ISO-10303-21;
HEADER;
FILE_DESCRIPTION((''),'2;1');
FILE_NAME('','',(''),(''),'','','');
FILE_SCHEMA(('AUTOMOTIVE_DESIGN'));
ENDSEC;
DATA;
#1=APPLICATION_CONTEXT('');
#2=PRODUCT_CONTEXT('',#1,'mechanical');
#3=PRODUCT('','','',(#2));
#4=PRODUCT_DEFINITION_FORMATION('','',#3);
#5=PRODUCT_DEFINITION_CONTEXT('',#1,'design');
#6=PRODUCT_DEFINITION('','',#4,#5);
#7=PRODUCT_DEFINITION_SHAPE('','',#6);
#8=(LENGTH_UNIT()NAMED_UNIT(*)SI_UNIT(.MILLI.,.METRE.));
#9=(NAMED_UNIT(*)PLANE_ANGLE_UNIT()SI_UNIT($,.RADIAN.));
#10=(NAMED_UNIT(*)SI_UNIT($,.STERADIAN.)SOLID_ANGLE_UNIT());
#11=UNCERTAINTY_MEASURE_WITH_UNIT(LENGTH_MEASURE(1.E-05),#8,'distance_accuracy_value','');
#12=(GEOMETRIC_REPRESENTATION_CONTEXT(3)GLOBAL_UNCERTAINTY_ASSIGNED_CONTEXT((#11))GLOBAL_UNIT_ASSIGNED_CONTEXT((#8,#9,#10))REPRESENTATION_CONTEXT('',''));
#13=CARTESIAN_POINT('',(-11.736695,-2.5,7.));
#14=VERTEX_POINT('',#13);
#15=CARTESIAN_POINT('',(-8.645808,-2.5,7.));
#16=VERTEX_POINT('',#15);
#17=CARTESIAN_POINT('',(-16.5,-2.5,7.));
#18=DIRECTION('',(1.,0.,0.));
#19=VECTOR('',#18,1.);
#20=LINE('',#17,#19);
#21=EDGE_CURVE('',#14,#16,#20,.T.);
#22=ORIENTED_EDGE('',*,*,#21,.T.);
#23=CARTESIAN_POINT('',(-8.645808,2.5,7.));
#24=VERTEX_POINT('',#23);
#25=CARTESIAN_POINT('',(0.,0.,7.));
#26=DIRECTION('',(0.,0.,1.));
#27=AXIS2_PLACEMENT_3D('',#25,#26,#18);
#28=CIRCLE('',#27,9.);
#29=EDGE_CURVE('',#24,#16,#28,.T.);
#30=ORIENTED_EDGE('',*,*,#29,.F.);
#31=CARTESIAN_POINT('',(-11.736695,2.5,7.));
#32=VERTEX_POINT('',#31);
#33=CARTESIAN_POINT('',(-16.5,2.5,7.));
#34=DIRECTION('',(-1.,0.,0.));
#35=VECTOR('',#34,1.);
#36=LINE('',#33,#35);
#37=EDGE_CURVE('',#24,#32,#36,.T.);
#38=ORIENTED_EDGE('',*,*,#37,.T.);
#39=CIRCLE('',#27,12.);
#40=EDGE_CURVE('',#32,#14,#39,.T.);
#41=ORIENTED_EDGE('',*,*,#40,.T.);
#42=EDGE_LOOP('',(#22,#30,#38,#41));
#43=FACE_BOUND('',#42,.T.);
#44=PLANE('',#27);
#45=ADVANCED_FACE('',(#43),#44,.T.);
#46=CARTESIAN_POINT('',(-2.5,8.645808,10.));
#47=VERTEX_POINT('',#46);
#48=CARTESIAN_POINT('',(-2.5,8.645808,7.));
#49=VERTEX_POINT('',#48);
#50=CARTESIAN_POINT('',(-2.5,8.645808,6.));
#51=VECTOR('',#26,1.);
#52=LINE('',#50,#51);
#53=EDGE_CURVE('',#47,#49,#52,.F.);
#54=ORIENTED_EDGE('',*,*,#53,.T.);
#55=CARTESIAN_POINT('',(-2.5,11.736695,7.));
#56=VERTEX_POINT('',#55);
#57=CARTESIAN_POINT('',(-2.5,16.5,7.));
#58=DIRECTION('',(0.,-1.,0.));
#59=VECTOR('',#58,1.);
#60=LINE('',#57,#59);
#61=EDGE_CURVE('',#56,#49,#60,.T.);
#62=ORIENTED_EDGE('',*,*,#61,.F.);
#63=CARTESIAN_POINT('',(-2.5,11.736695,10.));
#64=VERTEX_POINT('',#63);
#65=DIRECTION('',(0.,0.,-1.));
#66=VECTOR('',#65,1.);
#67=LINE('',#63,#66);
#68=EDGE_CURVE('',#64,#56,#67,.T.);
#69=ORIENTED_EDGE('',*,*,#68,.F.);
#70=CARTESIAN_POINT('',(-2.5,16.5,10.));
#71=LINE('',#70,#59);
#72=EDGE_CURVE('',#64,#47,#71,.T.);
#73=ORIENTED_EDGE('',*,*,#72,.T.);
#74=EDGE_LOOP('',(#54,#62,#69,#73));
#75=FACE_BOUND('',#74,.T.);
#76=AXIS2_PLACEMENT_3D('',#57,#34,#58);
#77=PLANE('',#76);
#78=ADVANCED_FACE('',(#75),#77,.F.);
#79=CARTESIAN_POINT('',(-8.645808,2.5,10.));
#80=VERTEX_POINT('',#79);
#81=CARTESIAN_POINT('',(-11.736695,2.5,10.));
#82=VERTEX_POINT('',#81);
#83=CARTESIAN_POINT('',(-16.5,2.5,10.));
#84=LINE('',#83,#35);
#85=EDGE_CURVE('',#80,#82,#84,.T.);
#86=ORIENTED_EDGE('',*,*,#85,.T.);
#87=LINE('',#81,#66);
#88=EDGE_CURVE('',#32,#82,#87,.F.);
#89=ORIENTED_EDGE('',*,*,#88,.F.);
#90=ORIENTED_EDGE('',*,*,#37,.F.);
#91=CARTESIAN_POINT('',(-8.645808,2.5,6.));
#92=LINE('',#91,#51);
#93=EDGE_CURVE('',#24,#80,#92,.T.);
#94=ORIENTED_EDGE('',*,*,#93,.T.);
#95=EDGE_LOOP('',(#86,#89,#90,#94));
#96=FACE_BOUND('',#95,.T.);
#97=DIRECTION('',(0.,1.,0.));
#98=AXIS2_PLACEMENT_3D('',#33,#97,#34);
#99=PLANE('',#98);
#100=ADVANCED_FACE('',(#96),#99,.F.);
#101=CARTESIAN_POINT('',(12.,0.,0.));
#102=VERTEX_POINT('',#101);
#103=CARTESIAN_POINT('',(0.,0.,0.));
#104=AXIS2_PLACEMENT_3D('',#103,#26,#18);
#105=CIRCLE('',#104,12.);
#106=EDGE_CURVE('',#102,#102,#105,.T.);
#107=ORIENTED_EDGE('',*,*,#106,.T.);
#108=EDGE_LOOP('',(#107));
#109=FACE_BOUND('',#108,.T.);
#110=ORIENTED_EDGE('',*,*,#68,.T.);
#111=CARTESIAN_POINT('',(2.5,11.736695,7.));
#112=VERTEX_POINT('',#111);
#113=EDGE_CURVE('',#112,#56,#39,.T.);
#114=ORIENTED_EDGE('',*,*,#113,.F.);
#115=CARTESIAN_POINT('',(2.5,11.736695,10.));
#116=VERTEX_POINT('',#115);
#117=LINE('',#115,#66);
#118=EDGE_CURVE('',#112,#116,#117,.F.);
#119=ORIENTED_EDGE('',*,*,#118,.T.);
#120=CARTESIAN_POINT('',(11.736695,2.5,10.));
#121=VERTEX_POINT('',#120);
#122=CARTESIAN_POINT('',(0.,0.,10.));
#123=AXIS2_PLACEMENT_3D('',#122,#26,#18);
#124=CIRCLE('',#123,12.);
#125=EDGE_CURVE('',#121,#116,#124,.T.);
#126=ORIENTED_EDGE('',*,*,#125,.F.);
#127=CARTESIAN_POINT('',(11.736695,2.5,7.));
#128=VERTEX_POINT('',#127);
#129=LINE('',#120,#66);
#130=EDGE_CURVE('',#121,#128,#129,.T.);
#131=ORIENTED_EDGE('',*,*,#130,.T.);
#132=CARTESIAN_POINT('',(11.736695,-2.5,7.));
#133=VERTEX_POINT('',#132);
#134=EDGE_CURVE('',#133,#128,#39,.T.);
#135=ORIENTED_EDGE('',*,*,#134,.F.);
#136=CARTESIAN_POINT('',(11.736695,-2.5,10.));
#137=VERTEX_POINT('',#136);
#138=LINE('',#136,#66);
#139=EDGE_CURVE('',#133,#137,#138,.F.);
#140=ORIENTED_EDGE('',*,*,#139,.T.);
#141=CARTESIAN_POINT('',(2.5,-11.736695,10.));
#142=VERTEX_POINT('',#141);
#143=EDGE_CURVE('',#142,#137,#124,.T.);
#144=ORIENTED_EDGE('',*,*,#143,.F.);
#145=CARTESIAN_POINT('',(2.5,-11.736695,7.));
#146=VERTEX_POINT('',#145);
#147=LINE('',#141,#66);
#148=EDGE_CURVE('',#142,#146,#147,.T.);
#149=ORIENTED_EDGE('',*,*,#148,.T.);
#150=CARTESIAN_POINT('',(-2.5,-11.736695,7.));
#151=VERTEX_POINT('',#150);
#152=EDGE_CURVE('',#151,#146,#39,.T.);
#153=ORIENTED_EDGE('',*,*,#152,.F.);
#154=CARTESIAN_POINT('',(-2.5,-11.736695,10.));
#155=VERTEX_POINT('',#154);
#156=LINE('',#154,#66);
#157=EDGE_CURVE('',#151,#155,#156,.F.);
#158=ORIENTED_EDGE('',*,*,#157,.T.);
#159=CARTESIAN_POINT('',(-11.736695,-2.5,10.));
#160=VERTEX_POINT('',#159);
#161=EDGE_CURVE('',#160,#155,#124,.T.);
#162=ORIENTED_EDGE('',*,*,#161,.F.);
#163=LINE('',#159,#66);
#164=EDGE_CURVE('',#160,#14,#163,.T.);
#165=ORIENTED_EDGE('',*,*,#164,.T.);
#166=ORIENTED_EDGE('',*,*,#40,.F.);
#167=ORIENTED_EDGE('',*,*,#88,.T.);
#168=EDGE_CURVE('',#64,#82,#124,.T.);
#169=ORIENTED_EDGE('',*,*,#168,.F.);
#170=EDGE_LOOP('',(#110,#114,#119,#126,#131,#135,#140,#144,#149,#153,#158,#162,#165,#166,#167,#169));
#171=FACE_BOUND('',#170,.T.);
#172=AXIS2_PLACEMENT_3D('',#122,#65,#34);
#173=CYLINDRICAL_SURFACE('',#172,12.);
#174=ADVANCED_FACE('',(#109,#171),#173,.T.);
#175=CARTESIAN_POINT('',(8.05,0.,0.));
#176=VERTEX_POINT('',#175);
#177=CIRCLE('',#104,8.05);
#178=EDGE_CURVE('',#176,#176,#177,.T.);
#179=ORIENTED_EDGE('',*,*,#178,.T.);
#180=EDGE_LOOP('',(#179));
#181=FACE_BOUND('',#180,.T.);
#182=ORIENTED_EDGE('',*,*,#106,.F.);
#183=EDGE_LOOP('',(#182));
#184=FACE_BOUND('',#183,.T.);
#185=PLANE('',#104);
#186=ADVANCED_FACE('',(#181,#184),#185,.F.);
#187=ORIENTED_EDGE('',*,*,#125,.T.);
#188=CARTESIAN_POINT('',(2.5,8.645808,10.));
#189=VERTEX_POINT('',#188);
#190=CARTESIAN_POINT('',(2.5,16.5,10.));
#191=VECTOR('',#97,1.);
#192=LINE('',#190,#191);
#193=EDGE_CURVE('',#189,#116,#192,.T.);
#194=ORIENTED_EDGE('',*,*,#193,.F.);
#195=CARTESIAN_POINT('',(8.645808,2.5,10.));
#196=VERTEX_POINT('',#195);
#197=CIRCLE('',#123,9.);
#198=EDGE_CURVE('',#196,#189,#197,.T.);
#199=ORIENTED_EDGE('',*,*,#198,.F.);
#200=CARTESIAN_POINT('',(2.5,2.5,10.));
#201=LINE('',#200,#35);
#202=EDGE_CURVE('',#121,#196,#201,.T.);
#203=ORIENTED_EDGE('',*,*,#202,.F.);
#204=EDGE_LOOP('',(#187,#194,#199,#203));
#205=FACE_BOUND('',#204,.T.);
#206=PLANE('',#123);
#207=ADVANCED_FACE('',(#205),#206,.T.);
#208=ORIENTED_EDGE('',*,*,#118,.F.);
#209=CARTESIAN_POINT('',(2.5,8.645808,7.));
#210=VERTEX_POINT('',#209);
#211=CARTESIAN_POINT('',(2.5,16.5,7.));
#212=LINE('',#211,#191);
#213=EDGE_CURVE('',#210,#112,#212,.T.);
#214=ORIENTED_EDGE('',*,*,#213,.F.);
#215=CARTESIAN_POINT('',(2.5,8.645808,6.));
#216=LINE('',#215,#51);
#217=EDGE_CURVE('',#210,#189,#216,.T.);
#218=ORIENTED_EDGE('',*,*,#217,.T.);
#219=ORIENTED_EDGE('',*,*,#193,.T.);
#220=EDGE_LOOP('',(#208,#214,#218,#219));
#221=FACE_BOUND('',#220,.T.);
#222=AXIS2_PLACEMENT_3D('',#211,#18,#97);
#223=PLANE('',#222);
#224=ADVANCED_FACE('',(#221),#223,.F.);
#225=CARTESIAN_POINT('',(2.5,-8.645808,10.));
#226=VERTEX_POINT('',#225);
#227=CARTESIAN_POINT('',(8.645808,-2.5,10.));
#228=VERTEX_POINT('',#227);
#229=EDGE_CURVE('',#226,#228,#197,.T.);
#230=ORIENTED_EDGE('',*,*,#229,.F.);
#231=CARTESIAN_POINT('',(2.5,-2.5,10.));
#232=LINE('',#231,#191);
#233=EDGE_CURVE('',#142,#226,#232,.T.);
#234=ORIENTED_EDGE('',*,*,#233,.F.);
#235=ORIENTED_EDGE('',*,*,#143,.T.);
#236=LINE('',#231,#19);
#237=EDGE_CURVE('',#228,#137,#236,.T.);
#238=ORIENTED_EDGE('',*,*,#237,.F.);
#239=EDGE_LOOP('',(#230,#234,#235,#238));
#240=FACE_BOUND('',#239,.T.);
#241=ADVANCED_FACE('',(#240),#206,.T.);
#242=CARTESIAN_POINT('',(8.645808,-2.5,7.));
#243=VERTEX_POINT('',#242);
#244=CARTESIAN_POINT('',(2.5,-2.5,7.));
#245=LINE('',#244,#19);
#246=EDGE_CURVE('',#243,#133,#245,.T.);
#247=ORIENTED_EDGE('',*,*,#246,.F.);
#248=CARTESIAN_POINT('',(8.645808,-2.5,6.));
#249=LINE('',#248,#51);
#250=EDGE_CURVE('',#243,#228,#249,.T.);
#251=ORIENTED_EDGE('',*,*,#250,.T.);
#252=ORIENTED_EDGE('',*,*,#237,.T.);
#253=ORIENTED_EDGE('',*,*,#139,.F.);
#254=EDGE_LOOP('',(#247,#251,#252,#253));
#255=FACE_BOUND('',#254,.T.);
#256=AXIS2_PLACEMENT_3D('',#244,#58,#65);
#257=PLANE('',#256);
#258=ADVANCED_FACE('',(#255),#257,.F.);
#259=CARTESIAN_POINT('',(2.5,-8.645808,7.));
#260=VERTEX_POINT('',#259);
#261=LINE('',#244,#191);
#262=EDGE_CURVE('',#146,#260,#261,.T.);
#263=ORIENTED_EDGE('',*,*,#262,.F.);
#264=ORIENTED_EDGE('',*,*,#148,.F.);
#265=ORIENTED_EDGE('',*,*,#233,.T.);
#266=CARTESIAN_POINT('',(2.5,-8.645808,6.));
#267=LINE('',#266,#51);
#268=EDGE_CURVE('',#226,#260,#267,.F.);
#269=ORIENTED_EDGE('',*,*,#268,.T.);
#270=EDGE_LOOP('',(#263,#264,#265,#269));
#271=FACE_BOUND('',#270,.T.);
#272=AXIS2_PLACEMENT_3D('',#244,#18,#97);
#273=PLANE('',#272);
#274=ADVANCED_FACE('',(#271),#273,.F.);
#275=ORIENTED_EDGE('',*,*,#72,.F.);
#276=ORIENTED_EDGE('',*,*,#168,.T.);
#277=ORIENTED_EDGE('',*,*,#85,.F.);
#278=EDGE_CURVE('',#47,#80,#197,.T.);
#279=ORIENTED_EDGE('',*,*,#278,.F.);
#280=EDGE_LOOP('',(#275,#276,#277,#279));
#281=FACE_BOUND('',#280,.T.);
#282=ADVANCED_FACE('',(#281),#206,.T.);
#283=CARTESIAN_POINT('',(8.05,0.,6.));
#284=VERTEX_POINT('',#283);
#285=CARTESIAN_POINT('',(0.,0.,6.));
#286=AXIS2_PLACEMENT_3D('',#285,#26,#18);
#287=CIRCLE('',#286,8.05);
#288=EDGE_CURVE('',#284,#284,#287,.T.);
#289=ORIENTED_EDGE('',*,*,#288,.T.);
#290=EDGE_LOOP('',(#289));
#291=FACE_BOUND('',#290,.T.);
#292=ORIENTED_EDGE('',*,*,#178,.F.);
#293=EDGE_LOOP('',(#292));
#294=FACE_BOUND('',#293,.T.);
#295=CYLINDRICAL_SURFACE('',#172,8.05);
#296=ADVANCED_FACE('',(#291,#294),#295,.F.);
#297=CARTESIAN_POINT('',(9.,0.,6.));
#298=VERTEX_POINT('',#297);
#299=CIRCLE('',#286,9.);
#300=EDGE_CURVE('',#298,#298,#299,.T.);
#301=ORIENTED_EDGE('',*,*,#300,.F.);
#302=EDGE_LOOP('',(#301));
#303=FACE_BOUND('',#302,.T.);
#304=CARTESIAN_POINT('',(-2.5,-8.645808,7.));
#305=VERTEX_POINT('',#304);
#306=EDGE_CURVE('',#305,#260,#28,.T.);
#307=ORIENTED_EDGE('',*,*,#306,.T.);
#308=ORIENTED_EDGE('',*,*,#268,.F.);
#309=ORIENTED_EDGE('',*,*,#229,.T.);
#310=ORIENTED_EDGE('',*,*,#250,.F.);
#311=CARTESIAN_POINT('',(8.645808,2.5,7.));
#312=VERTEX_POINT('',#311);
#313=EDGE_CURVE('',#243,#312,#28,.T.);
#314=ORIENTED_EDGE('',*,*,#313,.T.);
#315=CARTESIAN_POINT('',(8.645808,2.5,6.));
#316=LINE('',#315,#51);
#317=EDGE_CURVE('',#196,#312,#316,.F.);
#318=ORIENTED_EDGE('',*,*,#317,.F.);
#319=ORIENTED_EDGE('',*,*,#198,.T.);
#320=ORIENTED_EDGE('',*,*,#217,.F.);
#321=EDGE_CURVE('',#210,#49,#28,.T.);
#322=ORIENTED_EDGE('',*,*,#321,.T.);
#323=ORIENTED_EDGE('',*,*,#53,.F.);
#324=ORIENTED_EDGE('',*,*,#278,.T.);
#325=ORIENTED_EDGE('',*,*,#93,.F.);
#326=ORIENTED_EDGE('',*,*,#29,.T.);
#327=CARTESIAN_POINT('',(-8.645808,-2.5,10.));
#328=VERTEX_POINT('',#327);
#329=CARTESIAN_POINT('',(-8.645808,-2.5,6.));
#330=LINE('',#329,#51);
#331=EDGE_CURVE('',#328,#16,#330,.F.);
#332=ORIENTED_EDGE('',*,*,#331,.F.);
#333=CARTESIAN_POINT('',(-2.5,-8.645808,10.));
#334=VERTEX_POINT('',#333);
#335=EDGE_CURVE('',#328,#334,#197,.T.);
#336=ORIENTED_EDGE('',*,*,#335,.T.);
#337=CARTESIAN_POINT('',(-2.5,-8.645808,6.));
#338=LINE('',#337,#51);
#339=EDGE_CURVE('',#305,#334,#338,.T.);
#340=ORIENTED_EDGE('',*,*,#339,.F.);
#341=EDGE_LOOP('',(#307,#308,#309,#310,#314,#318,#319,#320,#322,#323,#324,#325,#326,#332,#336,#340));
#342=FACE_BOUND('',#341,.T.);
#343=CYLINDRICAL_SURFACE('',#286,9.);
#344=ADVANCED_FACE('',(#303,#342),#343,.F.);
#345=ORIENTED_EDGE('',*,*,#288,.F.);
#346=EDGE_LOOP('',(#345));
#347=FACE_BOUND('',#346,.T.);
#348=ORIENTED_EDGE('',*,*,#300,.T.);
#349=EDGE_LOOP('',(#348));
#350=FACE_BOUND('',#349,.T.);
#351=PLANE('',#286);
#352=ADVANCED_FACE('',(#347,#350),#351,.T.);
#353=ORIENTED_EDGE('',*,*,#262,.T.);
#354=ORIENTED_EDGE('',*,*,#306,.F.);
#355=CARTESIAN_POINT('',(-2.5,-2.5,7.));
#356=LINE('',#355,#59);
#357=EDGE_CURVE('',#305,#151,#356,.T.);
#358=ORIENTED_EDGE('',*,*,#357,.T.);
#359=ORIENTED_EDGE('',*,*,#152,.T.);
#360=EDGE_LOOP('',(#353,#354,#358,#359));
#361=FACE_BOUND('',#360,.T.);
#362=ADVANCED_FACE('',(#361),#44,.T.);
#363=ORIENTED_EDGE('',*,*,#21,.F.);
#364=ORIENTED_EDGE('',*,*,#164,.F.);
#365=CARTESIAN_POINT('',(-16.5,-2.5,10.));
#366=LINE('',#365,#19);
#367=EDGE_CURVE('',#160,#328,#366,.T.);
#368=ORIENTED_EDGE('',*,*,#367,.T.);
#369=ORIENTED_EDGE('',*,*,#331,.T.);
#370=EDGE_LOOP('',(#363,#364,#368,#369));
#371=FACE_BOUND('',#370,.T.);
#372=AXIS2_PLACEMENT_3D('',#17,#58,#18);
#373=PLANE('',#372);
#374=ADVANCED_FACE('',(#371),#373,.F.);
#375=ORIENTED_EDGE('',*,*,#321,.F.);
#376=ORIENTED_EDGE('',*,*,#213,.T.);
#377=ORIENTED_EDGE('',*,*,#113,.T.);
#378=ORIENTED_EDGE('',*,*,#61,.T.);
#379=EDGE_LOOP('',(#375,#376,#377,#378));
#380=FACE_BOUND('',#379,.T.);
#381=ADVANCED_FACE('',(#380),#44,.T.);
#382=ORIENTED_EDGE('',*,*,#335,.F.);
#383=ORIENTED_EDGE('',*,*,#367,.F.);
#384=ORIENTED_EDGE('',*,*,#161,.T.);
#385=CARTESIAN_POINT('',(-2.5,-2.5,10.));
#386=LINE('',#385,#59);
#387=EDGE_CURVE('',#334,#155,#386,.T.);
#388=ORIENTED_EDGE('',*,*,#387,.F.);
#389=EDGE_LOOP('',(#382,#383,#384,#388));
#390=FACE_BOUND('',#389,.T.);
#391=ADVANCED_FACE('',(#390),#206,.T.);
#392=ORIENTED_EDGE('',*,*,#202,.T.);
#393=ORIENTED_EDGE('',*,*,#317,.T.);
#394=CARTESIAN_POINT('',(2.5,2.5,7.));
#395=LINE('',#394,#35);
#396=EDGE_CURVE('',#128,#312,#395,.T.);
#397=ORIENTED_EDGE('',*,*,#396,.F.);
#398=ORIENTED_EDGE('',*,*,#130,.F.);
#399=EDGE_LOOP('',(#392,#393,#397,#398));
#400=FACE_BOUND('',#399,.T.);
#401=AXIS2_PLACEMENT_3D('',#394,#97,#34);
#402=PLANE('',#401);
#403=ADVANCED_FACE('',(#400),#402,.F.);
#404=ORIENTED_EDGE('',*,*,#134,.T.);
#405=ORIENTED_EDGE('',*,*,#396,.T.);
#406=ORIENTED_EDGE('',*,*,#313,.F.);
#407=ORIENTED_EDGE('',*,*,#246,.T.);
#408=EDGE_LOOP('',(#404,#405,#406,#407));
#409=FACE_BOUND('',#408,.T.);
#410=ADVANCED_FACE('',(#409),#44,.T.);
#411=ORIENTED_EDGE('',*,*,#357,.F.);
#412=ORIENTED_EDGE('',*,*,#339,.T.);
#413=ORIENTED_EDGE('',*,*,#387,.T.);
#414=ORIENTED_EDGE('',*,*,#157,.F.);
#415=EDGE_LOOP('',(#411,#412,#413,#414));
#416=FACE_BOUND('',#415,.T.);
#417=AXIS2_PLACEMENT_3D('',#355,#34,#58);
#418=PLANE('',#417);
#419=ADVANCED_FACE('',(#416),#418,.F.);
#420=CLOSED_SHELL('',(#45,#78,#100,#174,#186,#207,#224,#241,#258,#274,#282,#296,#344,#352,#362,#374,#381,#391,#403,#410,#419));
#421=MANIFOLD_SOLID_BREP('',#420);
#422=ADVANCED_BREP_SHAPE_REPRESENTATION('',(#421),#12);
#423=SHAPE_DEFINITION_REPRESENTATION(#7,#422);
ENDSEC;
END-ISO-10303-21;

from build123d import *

# Parameters (mm, degrees)
SKETCH_1_R          = 12
SKETCH_1_R_2        = 8.05
EXTRUDE_1_DEPTH     = 10
CUT_EXTRUDE_1_DEPTH = 3
SKETCH_4_R          = 9
CUT_EXTRUDE_2_DEPTH = 4


with BuildPart() as part:
    # 草图1 → 凸台-拉伸1 (new body)
    with BuildSketch(Plane.XY):
        Circle(SKETCH_1_R)
        Circle(SKETCH_1_R_2, mode=Mode.SUBTRACT)
    extrude(amount=EXTRUDE_1_DEPTH)

    # 草图3 → 切除-拉伸1 (cut)
    with BuildSketch(Plane.XY.offset(10)):
        Polygon((-16.5, 2.5), (-2.5, 2.5), (-2.5, 16.5), (2.5, 16.5), (2.5, 2.5), (16.5, 2.5), (16.5, -2.5), (2.5, -2.5), (2.5, -16.5), (-2.5, -16.5), (-2.5, -2.5), (-16.5, -2.5), align=None)
    extrude(amount=-CUT_EXTRUDE_1_DEPTH, mode=Mode.SUBTRACT)

    # 草图4 → 切除-拉伸2 (cut)
    with BuildSketch(Plane.XY.offset(10)):
        Circle(SKETCH_4_R)
    extrude(amount=-CUT_EXTRUDE_2_DEPTH, mode=Mode.SUBTRACT)


solid = part.part
